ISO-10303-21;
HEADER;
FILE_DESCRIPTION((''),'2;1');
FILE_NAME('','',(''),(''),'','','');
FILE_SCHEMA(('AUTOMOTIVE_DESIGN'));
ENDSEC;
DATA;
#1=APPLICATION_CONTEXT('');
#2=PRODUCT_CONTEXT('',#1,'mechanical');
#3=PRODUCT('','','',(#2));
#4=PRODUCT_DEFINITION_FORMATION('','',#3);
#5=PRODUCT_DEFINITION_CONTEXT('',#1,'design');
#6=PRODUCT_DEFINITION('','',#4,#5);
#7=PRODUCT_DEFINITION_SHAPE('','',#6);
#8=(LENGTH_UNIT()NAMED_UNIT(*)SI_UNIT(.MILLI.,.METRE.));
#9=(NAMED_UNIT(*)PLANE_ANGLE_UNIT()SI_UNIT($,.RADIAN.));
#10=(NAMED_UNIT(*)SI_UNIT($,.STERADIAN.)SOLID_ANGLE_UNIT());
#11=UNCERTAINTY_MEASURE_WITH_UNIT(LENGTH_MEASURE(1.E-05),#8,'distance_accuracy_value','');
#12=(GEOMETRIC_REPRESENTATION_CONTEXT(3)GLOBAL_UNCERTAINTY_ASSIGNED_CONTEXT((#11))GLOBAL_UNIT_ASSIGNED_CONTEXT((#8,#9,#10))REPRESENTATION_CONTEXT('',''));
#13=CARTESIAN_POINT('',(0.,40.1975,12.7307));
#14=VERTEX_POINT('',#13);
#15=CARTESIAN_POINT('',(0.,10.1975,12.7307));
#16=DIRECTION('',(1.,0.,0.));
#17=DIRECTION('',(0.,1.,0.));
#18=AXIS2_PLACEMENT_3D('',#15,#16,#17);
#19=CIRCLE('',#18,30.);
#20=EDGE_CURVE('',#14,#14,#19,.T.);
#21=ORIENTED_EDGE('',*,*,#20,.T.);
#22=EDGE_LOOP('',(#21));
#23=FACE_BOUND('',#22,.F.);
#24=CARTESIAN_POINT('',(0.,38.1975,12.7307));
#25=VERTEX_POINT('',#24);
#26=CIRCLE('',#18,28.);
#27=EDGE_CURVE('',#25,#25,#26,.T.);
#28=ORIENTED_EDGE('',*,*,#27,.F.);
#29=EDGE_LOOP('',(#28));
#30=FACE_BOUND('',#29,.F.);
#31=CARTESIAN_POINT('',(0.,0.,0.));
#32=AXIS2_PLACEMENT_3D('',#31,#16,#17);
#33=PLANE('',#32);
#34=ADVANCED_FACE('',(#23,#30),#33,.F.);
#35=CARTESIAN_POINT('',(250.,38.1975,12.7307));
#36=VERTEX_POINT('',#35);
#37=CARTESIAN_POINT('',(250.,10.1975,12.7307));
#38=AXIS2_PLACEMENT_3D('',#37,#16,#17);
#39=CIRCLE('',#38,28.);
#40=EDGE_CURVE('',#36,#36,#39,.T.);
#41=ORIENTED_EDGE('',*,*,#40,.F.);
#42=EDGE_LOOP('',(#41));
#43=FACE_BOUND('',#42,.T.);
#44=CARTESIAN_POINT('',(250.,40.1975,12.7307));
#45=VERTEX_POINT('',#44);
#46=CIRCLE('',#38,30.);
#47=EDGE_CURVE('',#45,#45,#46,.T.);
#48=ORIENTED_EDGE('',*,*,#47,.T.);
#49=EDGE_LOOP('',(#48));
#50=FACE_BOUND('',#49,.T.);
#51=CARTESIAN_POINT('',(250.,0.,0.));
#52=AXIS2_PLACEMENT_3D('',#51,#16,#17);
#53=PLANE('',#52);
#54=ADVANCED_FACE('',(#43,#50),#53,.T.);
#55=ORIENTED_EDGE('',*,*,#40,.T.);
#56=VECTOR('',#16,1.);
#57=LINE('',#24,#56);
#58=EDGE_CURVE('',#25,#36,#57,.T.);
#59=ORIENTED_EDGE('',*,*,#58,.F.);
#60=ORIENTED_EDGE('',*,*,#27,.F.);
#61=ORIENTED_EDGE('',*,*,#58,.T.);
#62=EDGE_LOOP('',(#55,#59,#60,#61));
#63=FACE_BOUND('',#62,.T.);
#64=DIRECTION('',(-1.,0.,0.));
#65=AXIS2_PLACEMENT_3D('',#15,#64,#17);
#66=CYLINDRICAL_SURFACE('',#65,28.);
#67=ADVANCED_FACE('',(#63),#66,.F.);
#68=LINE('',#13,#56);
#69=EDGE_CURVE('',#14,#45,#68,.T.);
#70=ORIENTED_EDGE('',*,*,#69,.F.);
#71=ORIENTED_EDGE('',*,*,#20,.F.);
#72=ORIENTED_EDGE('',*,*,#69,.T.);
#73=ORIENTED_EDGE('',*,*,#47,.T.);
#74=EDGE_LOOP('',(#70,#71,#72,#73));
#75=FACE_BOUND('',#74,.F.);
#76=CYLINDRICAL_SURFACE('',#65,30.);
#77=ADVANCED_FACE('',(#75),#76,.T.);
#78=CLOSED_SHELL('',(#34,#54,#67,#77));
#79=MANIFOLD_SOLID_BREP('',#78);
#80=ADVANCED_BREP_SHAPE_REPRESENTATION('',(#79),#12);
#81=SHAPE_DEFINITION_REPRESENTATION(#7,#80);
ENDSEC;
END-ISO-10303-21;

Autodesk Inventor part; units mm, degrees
ref_plane "YZ Plane" through (0, 0, 0) normal (1, 0, 0) x (0, 1, 0)
ref_plane "XZ Plane" through (0, 0, 0) normal (0, 1, 0) x (-1, 0, 0)
ref_plane "XY Plane" through (0, 0, 0) normal (0, 0, 1) x (1, 0, 0)
sketch "Sketch2" plane through (0, 0, 0) normal (1, 0, 0) x (0, 1, 0)
  circle A0 centre (10.1975, 12.7307) radius 28
  circle A1 centre (10.1975, 12.7307) radius 30
  point P0 (0, 0)
  dimension "d4" = 56
  dimension "d5" = 60
extrude "Extrusion2" add sketch "Sketch2" along normal blind 250 contours A0 | A1
extrude "Extrusion3" cut sketch "Sketch2" along normal blind 250 contours A0
properties part number "extratube1"
